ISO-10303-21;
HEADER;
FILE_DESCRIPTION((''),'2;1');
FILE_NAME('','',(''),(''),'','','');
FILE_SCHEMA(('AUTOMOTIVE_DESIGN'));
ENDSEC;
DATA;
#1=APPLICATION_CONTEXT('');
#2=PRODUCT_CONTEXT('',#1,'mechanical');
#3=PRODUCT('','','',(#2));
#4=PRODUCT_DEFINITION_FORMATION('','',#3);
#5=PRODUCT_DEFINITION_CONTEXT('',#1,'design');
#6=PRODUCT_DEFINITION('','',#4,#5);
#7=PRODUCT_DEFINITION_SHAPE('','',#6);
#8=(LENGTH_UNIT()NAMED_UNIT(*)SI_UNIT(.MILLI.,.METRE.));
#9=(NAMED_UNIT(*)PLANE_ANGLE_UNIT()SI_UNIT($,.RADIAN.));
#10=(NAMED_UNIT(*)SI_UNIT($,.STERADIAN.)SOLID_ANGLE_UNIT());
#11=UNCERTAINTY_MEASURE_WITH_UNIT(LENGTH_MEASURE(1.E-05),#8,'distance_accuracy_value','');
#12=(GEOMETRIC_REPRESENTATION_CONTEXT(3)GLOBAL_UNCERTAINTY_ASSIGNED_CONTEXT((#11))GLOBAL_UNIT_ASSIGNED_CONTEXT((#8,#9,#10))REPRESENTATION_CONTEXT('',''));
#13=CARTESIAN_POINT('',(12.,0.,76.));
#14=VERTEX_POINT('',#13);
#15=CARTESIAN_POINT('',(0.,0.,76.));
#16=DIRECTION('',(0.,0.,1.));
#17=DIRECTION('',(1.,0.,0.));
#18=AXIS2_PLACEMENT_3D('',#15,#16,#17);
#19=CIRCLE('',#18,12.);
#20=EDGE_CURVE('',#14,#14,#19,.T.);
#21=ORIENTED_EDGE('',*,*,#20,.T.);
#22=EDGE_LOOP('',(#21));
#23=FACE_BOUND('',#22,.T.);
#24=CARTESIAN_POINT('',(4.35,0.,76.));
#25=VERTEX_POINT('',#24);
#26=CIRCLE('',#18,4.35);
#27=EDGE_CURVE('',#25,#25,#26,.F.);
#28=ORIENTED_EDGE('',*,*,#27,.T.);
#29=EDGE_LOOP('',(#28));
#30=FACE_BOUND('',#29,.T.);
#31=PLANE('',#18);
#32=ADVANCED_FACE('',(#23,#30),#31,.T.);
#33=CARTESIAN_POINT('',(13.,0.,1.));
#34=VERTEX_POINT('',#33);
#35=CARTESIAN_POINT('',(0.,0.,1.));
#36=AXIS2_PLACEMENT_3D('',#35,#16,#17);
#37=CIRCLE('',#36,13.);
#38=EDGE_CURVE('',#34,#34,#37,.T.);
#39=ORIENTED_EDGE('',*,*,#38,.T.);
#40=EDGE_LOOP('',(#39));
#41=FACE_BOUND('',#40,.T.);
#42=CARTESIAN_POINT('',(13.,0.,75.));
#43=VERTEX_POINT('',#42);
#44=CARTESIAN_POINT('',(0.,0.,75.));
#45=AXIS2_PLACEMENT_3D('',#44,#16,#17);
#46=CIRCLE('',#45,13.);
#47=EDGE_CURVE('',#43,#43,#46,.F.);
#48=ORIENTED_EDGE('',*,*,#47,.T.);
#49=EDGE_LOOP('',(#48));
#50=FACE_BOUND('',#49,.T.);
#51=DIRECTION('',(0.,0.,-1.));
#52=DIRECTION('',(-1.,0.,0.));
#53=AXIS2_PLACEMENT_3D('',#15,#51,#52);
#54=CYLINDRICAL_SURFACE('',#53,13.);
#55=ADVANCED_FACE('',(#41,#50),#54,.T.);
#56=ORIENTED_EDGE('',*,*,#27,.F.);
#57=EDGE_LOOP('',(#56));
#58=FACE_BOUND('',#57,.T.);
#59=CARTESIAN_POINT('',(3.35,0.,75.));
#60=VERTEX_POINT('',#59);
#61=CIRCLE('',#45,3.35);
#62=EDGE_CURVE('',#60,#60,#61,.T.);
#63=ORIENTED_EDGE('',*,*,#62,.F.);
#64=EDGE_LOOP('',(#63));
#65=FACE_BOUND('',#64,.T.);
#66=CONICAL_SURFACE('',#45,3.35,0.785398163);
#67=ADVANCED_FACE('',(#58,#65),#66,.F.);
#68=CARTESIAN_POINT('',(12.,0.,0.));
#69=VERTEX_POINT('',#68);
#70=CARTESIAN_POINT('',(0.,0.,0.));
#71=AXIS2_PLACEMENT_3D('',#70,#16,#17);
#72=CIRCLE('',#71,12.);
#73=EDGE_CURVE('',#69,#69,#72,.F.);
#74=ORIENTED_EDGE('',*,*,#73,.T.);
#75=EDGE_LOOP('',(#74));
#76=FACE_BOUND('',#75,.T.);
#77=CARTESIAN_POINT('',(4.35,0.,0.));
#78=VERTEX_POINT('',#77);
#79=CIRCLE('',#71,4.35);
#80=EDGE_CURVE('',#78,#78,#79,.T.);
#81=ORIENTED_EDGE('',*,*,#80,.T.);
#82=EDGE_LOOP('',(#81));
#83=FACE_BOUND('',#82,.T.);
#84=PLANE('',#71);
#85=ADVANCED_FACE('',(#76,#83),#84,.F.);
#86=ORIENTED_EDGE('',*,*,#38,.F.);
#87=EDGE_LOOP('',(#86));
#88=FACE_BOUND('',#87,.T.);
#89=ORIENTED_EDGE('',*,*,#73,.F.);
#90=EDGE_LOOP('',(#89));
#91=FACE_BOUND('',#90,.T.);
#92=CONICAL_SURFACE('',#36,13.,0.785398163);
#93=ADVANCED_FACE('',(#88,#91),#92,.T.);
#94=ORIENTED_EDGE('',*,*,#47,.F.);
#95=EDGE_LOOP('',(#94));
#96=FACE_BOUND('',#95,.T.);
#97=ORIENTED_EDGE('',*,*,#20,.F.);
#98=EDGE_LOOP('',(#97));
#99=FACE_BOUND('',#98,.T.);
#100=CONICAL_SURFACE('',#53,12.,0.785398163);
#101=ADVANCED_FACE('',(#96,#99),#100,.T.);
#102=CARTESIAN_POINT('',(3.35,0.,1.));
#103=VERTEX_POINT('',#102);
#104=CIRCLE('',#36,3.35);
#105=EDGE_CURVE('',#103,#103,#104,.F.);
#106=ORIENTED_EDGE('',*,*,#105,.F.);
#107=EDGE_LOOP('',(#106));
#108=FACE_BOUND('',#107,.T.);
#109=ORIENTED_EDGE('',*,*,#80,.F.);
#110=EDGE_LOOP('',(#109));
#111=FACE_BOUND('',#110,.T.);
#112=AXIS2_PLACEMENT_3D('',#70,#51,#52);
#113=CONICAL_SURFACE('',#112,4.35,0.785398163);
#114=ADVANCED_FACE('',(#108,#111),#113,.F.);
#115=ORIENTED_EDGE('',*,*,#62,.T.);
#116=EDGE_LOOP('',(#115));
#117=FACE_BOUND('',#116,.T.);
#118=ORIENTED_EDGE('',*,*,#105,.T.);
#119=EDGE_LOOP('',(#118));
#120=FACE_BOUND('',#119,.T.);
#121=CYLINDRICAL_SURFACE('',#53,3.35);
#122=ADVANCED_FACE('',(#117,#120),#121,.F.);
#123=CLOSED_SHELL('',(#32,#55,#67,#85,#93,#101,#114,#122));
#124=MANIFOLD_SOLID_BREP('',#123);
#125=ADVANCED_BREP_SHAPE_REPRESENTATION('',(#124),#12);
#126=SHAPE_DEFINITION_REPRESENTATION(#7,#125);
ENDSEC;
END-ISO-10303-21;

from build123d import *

# Parameters (mm, degrees)
ESQUISSE1_R        = 13
ESQUISSE1_R_2      = 3.35
BOSS_EXTRU_1_DEPTH = 76
CHANFREIN1_SIZE    = 1


with BuildPart() as part:
    # Esquisse1 → Boss.-Extru.1 (new body)
    with BuildSketch(Plane.XY):
        Circle(ESQUISSE1_R)
        Circle(ESQUISSE1_R_2, mode=Mode.SUBTRACT)
    extrude(amount=BOSS_EXTRU_1_DEPTH)

    # Chanfrein1
    chanfrein1_edges = [part.edges().sort_by_distance(p)[0] for p in [
        (-13, 0, 0),
        (-13, 0, 76),
        (-3.35, 0, 0),
        (-3.35, 0, 76),
    ]]
    chamfer(chanfrein1_edges, length=CHANFREIN1_SIZE)


solid = part.part
